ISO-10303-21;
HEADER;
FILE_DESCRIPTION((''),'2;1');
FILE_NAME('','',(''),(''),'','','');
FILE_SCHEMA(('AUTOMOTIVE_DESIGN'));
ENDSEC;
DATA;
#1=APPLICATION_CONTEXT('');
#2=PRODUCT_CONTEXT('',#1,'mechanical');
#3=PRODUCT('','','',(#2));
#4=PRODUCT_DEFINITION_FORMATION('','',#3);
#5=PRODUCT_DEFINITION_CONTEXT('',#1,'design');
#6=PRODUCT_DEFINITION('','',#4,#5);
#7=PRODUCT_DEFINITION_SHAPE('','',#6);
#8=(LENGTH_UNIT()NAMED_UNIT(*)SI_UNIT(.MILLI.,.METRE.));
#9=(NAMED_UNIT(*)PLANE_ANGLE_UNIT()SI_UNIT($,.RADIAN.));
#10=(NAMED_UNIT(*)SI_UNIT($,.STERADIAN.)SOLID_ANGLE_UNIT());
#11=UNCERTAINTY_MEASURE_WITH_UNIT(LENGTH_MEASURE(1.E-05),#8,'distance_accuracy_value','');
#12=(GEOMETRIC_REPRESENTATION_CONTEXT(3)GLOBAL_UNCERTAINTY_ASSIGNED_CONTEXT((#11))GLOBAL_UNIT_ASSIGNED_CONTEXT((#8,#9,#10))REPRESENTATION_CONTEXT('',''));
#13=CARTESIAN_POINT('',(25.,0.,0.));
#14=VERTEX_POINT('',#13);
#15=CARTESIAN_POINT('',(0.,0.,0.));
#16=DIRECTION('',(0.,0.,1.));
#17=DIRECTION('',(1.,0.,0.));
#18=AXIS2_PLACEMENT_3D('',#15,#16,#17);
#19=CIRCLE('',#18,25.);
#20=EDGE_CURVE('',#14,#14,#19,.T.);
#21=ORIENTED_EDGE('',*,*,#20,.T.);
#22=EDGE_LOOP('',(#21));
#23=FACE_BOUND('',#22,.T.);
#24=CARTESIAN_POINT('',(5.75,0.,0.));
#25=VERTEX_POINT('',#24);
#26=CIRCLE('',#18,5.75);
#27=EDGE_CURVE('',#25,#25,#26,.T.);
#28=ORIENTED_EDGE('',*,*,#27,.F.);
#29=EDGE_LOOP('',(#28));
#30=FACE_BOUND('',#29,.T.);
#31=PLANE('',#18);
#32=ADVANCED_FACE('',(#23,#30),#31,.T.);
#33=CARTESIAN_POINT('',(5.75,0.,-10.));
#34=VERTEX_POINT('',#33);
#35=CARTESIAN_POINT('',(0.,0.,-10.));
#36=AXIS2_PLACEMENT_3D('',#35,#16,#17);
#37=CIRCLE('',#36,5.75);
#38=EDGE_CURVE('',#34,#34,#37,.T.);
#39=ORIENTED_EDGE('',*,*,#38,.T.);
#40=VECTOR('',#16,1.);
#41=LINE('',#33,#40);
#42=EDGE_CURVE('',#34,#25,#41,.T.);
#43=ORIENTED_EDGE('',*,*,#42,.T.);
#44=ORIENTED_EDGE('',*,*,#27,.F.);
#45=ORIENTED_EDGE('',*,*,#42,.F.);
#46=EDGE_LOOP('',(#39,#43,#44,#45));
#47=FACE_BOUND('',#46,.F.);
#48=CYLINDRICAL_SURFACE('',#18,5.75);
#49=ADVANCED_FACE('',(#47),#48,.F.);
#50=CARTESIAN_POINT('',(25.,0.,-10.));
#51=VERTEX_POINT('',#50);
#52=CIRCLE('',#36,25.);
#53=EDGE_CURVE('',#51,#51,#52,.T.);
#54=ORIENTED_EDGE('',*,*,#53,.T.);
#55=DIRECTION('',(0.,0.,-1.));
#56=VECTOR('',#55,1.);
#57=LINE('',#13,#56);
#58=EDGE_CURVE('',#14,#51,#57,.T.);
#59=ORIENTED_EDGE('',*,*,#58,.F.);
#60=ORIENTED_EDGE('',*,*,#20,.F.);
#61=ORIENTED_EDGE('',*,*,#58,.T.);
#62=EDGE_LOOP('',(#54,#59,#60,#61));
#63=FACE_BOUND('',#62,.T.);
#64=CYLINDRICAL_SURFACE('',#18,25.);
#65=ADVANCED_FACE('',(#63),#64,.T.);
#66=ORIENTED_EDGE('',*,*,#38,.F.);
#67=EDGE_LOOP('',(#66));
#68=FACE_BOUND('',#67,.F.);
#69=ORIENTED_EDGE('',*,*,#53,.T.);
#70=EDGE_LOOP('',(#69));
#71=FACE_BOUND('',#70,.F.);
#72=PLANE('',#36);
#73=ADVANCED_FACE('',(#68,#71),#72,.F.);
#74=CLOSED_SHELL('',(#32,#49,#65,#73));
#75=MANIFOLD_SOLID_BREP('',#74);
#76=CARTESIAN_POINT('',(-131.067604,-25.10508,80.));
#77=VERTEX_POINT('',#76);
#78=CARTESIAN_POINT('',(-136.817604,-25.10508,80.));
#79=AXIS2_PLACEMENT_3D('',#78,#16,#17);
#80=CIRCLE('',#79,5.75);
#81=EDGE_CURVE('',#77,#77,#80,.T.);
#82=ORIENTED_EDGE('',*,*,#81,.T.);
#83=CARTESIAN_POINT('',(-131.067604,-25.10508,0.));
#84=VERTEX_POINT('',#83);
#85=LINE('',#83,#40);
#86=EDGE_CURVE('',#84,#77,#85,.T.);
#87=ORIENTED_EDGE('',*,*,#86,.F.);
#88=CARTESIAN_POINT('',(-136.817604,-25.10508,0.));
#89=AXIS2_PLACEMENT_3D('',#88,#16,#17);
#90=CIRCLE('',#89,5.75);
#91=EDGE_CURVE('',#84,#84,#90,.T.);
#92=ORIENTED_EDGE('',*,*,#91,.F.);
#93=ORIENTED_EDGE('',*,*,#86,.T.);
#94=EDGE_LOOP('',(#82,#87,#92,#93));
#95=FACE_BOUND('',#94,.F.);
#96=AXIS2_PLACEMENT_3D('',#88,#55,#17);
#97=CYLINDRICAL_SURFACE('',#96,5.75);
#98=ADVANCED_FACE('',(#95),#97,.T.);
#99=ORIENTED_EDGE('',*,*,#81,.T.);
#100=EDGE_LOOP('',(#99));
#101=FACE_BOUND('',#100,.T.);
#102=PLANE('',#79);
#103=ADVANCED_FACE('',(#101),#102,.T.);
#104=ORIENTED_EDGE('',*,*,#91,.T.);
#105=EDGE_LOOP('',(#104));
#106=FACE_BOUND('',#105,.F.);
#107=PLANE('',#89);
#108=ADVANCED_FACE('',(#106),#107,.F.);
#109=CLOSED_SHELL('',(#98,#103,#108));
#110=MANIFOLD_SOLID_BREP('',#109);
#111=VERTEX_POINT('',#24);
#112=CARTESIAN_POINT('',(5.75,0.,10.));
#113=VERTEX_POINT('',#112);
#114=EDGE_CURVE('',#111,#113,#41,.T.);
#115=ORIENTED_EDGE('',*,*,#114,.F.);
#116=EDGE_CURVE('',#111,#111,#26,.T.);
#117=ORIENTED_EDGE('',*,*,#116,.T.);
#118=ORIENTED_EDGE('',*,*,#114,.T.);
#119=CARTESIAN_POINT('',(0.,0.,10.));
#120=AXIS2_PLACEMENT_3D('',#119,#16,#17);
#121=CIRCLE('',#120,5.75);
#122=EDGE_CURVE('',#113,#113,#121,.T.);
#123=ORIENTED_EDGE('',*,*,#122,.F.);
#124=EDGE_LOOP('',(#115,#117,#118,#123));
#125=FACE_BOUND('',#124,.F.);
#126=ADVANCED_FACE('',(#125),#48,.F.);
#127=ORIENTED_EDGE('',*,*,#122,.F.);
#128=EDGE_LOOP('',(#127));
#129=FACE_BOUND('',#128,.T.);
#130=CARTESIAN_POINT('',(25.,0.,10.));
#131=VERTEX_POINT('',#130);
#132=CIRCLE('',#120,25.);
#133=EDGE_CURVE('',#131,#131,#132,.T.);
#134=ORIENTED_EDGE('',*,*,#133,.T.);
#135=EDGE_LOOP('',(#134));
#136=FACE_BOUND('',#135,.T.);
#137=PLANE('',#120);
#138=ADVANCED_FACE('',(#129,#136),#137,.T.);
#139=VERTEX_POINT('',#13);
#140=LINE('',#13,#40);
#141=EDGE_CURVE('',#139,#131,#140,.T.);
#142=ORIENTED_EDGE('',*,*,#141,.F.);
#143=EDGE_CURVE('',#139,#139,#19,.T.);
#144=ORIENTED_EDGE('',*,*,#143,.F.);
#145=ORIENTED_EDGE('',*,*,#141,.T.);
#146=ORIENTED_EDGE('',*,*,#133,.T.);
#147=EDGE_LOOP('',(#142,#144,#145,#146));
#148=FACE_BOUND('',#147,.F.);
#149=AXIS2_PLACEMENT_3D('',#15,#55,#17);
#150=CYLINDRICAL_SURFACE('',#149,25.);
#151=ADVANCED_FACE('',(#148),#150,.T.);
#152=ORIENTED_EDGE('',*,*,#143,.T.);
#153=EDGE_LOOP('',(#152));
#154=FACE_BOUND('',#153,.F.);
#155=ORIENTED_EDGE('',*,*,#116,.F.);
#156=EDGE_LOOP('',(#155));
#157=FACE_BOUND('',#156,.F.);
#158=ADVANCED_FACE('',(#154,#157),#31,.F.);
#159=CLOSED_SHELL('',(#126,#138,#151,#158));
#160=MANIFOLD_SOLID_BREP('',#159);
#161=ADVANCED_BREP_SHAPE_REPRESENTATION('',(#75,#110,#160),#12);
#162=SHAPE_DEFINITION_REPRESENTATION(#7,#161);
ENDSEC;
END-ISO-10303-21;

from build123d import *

# Parameters (mm, degrees)
F0_R          = 25
F1_DEPTH      = 10
F2_DEPTH      = 10
F3_R          = 5.75
F4_DEPTH      = 10
F4_DEPTH_BACK = 10
F5_R          = 5.75
F6_DEPTH      = 80


with BuildPart() as f1:
    # F0 (on Top) → F1 (new body)
    with BuildSketch(Plane.XY):
        Circle(F0_R)
    extrude(amount=F1_DEPTH)


with BuildPart() as f2:
    # F0 (on Top) → F2 (new body)
    with BuildSketch(Plane.XY):
        Circle(F0_R)
    extrude(amount=-F2_DEPTH)


with BuildPart() as f4_tool:
    # F3 (on Top) → F4 (new body, two sides)
    with BuildSketch(Plane.XY) as f4_sk:
        Circle(F3_R)
    extrude(amount=F4_DEPTH)
    extrude(f4_sk.sketch, amount=-F4_DEPTH_BACK)


with BuildPart() as f1_1:
    add(f1.part)

    # F4: cut by f4_tool
    add(f4_tool.part, mode=Mode.SUBTRACT)


with BuildPart() as f2_1:
    add(f2.part)

    # F4: cut by f4_tool
    add(f4_tool.part, mode=Mode.SUBTRACT)


with BuildPart() as f6:
    # F5 (on Top) → F6 (new body)
    with BuildSketch(Plane.XY):
        with Locations((-136.817604, -25.10508)):
            Circle(F5_R)
    extrude(amount=F6_DEPTH)


solid = Compound([f1_1.part, f2_1.part, f6.part])
